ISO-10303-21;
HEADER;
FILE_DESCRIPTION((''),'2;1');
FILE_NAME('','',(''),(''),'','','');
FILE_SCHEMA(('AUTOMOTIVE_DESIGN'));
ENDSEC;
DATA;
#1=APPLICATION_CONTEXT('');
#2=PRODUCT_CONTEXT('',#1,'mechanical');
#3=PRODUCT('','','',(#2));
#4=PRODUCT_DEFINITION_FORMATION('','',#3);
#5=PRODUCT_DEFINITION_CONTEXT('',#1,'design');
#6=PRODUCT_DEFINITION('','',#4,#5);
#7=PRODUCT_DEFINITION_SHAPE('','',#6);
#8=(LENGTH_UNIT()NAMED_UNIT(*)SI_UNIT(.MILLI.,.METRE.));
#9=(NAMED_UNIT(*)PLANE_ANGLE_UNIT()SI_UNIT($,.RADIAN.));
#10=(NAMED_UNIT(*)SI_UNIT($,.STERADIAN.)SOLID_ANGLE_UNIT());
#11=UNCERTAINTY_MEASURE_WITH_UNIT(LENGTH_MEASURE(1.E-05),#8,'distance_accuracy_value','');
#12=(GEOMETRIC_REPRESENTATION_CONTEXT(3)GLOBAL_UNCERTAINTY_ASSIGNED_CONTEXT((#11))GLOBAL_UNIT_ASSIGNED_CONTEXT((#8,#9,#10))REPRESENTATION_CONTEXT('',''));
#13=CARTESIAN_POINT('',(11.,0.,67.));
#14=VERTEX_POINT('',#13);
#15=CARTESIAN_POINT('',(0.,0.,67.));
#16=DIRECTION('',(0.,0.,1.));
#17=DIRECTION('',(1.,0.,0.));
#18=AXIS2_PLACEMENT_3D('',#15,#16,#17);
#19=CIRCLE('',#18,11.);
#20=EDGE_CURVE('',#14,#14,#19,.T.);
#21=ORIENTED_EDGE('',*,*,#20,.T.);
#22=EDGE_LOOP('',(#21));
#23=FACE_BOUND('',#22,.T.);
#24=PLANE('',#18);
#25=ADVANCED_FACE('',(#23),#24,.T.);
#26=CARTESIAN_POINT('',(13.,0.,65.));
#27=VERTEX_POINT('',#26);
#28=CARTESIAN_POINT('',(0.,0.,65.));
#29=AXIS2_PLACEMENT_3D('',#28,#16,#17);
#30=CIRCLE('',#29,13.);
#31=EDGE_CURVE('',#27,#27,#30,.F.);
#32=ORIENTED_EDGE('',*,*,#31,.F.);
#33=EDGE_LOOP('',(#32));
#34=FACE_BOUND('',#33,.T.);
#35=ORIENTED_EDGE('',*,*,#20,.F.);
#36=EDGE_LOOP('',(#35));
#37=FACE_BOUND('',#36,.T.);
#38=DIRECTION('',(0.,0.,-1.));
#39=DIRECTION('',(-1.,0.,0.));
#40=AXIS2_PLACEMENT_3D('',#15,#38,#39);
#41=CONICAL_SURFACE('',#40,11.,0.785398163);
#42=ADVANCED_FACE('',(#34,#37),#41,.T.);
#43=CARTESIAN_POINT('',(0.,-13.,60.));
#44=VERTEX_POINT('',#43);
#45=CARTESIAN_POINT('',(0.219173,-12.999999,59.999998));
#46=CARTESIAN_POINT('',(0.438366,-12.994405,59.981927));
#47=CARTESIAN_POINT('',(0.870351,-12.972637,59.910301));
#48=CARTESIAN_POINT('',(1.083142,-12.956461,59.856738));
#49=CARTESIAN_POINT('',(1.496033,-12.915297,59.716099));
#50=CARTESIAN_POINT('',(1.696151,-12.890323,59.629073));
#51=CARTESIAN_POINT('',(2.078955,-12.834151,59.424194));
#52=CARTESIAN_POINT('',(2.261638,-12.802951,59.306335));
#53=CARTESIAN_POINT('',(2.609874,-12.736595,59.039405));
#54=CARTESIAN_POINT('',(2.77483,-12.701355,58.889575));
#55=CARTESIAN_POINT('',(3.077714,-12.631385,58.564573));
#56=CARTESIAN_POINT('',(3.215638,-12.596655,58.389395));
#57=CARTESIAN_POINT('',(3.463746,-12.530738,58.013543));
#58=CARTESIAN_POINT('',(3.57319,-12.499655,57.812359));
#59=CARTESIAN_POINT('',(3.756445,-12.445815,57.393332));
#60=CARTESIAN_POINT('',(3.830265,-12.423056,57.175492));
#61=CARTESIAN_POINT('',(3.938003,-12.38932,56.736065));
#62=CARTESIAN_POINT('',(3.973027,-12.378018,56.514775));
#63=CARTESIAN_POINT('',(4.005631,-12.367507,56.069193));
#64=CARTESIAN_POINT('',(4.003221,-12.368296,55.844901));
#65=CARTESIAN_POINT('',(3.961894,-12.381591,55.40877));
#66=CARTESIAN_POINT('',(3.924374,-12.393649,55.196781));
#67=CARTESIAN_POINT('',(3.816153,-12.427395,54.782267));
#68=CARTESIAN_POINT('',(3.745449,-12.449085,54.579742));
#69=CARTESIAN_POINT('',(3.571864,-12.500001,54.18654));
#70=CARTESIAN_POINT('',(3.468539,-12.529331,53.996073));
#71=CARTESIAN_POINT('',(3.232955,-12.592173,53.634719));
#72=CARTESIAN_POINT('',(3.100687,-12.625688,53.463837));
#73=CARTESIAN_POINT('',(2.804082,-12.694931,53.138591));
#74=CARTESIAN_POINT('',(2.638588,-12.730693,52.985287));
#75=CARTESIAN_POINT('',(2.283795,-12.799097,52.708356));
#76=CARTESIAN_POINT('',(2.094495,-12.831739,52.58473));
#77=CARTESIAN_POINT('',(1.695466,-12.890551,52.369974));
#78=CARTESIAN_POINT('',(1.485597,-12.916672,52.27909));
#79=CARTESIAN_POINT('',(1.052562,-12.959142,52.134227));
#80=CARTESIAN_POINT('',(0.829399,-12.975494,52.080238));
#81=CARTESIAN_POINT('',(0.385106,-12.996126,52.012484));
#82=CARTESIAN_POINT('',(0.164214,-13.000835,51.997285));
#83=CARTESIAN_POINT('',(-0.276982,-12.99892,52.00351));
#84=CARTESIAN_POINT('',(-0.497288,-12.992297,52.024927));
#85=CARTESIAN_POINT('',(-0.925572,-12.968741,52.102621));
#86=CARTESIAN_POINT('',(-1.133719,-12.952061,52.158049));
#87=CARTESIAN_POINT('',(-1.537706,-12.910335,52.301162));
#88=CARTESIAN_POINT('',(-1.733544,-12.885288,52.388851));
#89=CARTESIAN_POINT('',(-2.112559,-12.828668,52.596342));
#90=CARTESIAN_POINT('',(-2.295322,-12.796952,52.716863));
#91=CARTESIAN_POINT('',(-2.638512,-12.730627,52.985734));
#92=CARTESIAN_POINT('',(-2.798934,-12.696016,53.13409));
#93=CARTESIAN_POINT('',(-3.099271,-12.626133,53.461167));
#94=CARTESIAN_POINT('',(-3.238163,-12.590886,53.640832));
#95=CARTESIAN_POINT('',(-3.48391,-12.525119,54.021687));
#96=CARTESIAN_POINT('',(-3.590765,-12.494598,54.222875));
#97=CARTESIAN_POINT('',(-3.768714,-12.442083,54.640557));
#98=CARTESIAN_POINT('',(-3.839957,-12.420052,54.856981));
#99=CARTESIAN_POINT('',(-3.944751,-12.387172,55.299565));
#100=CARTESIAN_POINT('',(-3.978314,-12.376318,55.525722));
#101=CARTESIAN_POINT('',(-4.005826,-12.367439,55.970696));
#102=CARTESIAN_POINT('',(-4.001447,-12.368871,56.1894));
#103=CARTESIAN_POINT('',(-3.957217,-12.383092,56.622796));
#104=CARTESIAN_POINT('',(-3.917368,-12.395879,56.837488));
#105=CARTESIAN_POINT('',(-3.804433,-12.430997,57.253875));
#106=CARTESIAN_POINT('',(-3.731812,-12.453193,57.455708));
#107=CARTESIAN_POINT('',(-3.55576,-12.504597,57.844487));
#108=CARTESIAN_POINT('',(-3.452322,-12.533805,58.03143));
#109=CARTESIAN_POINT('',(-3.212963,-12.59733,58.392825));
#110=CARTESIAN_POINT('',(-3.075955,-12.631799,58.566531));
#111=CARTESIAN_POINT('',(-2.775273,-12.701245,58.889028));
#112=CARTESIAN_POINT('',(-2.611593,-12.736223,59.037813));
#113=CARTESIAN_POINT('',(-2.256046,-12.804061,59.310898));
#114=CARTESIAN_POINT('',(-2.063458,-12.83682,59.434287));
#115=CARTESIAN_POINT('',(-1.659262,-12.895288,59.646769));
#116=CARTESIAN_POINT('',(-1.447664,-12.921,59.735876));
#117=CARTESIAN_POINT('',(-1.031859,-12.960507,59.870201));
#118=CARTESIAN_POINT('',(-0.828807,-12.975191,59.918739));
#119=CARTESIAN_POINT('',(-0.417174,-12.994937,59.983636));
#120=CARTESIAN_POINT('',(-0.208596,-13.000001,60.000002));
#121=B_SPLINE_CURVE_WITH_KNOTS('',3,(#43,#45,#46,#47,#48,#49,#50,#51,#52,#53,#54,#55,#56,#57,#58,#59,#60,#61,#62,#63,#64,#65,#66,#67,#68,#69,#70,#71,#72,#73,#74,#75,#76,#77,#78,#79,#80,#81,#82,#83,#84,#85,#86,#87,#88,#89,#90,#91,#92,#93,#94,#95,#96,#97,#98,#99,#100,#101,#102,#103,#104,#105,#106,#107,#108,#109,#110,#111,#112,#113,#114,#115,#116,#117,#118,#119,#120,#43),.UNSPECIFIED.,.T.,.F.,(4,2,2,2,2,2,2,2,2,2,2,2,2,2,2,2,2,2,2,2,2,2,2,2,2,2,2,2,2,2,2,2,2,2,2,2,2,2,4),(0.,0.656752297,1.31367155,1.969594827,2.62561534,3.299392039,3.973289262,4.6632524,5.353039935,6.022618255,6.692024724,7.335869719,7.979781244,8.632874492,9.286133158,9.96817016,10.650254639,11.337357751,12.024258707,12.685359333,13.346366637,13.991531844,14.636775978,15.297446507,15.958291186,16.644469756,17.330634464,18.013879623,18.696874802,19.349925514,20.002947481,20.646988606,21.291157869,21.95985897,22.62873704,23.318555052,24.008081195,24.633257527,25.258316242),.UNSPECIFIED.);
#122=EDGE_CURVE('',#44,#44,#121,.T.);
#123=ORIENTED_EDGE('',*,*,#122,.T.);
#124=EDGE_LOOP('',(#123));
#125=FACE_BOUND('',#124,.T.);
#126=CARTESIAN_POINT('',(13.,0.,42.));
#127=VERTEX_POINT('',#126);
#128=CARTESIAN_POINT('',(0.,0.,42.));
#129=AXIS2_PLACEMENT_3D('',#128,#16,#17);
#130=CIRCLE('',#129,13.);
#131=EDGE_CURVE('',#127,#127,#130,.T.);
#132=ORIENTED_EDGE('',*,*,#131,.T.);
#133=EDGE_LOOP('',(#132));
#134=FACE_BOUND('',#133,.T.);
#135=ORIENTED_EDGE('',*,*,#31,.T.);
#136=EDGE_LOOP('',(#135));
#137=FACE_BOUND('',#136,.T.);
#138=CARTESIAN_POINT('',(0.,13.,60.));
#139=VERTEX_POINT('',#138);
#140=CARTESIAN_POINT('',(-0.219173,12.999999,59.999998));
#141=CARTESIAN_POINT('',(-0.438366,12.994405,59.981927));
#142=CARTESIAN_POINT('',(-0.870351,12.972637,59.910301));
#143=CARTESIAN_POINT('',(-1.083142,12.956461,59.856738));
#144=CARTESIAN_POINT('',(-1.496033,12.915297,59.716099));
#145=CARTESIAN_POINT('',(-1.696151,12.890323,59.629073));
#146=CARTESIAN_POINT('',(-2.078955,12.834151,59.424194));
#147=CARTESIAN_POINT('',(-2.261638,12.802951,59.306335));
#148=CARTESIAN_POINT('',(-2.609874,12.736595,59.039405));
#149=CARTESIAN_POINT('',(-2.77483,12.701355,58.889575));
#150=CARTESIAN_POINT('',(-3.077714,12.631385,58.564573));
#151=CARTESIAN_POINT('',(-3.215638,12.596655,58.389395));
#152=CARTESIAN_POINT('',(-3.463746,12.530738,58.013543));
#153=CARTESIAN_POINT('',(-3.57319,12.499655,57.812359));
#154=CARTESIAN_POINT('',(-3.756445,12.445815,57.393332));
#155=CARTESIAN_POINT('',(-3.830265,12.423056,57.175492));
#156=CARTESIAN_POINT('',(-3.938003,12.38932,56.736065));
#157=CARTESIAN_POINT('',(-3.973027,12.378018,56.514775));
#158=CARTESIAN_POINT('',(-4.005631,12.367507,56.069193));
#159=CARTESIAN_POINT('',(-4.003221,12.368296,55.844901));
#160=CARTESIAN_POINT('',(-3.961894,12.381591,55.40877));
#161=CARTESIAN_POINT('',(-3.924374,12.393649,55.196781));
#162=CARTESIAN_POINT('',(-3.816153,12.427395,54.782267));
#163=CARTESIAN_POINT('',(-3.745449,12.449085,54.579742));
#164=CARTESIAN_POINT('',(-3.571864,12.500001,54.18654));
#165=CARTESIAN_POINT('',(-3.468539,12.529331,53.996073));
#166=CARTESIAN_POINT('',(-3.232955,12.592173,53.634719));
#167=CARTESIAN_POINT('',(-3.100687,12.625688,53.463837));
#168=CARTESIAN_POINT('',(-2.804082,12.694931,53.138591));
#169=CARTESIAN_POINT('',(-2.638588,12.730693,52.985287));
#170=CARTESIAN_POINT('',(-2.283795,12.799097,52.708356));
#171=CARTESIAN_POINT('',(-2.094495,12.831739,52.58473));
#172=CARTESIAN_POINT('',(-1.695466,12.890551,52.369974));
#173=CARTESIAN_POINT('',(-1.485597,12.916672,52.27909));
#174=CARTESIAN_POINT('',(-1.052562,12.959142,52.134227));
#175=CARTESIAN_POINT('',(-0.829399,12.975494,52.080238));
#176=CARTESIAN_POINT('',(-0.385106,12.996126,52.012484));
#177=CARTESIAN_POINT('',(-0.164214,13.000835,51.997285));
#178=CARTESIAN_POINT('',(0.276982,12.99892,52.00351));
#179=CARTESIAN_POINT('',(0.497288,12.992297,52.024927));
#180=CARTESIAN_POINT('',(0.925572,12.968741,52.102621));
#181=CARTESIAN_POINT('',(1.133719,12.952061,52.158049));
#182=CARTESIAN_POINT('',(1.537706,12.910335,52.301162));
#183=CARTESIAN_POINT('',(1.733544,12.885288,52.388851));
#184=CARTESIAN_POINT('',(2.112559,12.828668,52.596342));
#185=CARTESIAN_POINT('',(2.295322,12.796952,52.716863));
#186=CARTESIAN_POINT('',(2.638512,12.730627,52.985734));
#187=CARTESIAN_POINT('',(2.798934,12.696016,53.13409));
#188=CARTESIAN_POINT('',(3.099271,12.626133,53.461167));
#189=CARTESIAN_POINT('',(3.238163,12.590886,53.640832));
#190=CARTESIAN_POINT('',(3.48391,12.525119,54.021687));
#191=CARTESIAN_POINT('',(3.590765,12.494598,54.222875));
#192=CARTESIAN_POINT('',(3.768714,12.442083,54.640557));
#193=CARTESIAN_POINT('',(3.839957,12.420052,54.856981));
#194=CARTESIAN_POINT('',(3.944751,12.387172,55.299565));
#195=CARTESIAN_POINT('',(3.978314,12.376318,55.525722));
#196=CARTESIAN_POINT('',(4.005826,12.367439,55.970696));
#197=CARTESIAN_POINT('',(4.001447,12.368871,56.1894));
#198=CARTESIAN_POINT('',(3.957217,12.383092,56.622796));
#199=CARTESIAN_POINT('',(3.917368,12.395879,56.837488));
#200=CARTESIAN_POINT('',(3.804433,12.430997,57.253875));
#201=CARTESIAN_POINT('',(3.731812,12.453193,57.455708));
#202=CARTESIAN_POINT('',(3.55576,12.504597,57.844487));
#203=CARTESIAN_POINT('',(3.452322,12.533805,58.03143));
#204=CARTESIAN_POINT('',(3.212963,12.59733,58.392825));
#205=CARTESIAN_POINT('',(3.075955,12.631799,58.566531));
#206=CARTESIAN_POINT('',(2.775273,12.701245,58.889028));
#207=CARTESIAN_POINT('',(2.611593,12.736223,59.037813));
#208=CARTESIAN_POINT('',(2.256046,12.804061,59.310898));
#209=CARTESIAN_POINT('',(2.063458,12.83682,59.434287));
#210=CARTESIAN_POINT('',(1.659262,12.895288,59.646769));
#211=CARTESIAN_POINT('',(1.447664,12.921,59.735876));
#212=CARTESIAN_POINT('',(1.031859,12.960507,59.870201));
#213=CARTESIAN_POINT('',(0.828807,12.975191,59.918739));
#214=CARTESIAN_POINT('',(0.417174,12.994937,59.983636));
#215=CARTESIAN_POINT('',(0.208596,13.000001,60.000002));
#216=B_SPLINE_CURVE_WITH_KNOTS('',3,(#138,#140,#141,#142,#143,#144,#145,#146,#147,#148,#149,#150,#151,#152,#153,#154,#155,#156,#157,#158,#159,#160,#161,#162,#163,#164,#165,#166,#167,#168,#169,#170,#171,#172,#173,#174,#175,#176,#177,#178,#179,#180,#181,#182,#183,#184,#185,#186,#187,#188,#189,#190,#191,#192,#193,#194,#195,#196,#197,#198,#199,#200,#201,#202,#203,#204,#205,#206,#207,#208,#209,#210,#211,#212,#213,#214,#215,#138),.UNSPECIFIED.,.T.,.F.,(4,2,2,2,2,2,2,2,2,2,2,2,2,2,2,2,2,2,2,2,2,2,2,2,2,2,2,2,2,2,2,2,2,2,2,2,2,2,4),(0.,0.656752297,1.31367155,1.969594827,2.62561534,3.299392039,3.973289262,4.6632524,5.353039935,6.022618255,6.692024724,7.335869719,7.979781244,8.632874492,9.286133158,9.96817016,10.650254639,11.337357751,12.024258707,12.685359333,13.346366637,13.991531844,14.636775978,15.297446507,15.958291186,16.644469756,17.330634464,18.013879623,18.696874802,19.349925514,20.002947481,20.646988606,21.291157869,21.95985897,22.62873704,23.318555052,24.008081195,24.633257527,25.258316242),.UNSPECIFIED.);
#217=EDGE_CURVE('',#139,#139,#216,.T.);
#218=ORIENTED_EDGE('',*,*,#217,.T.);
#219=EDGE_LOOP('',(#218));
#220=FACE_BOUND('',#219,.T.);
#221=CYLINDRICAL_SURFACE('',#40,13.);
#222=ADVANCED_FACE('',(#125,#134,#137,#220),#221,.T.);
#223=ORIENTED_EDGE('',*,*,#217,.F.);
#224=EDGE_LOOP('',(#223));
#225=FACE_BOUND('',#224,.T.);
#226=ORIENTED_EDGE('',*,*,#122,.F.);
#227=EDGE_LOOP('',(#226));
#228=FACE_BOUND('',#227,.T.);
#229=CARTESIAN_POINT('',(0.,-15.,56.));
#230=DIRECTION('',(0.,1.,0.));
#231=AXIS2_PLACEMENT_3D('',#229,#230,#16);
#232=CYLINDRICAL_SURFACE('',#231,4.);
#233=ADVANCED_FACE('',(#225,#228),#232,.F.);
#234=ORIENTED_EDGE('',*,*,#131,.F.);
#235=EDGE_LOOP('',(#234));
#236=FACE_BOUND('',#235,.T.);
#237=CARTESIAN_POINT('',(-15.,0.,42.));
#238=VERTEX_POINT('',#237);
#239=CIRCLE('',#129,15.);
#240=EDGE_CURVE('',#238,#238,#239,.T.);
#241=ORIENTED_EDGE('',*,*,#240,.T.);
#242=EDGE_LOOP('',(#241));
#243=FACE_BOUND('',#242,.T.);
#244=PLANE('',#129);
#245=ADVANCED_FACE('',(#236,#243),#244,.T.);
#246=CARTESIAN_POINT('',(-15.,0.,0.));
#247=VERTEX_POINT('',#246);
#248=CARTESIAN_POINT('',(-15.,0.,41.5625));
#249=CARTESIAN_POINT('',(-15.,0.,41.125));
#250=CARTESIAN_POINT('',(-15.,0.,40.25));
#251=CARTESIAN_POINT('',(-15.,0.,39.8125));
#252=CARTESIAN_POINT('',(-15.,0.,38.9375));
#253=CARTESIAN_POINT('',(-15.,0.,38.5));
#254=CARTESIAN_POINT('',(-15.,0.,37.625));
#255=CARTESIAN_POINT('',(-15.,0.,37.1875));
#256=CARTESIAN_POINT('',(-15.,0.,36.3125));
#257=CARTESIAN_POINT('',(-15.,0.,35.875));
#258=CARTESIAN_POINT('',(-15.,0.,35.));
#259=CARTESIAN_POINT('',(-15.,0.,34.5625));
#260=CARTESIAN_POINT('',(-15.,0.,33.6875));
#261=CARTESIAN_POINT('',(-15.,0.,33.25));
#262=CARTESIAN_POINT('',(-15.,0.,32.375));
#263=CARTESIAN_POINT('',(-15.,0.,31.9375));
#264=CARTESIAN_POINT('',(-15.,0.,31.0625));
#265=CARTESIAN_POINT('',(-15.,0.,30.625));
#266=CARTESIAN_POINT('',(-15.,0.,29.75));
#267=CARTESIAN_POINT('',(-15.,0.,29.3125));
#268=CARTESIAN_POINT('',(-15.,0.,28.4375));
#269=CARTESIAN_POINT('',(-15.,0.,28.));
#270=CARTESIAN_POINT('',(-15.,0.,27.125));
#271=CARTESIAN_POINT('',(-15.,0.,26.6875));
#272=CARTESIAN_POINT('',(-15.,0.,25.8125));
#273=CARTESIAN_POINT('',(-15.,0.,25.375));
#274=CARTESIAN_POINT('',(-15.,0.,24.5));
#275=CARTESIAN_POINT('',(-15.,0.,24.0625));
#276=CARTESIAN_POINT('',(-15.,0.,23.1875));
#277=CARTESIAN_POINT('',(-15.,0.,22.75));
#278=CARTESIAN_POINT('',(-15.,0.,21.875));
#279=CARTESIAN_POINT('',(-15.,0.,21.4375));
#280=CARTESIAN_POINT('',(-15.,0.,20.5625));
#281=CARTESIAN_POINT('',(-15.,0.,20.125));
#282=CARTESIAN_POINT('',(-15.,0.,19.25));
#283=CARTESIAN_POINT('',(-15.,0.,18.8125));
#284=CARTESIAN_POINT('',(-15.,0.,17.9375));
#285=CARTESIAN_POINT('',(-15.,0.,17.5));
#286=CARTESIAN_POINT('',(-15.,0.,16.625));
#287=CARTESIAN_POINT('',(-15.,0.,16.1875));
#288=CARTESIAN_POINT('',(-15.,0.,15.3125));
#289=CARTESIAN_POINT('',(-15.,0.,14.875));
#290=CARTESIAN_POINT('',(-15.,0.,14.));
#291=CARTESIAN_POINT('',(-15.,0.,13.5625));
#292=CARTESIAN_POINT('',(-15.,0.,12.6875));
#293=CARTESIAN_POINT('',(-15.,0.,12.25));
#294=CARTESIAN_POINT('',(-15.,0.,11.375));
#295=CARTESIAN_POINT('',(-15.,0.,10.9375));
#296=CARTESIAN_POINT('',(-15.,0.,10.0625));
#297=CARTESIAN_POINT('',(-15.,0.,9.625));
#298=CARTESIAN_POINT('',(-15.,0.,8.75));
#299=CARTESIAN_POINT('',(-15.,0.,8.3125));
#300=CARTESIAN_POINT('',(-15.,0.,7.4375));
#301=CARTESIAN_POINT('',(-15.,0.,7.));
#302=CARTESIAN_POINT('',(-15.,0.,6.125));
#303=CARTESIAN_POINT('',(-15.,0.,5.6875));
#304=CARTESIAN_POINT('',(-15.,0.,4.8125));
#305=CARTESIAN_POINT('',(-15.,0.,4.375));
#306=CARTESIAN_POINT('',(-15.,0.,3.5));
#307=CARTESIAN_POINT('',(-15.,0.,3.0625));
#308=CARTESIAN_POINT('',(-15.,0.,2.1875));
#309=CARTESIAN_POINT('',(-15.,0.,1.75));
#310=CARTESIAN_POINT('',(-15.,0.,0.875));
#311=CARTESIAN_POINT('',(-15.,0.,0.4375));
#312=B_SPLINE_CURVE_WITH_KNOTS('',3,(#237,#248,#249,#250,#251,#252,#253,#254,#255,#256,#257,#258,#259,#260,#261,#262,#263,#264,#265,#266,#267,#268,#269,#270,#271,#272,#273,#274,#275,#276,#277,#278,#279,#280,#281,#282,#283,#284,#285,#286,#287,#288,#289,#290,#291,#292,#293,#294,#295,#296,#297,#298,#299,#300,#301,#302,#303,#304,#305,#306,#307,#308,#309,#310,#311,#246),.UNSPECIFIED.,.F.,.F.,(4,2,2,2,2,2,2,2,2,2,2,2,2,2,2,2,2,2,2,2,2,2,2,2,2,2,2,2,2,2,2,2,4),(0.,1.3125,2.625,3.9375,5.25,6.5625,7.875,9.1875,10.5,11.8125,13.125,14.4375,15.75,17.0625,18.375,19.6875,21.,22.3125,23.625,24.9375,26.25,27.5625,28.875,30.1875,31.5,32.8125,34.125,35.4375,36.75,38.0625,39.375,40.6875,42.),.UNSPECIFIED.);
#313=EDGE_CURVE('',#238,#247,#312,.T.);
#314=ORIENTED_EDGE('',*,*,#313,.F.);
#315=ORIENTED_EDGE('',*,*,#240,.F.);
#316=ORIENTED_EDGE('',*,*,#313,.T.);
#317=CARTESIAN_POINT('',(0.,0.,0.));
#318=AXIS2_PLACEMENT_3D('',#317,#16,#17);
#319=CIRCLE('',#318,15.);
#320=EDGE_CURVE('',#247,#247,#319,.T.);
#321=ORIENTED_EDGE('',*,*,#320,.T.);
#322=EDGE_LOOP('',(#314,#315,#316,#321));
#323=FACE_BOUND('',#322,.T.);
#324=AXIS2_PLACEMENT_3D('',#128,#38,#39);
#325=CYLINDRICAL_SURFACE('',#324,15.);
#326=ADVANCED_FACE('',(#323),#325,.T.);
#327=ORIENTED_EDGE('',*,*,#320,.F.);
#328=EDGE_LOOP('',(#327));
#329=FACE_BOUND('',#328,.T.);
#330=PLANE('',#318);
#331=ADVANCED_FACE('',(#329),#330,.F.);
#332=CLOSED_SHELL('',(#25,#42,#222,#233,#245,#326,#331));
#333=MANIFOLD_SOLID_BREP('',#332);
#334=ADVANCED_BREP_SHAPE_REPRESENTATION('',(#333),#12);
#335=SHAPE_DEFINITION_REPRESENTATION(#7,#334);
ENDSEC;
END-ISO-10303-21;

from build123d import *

# Parameters (mm, degrees)
SCHIZZO1_R             = 15
ESTRUSIONE1_DEPTH      = 42
SCHIZZO2_R             = 13
ESTRUSIONE2_DEPTH      = 25
SMUSSO1_SIZE           = 2
ESTRUSIONE3_DEPTH      = 71.278019323
ESTRUSIONE3_DEPTH_BACK = 71.278019323
SCHIZZO3_R             = 4


with BuildPart() as part:
    # Schizzo1 → Estrusione1 (new body)
    with BuildSketch(Plane.XY):
        with Locations(Location((0, 0, 0), (0, 0, 180))):
            Circle(SCHIZZO1_R)
    extrude(amount=ESTRUSIONE1_DEPTH)

    # Schizzo2 → Estrusione2 (add)
    with BuildSketch(Plane.XY.offset(42)):
        Circle(SCHIZZO2_R)
    extrude(amount=ESTRUSIONE2_DEPTH)

    # Smusso1
    smusso1_edges = [part.edges().sort_by_distance(p)[0] for p in [
        (-13, 0, 67),
    ]]
    chamfer(smusso1_edges, length=SMUSSO1_SIZE)

    # Schizzo3 → Estrusione3 (cut, two sides: drawn at the far end of the back side and taken through both)
    with BuildSketch(Plane(origin=(0, 0, 0), x_dir=(1, 0, 0), z_dir=(0, 1, 0)).offset(-ESTRUSIONE3_DEPTH_BACK)):
        with Locations(Location((0, -56, 0), (0, 0, 270))):
            Circle(SCHIZZO3_R)
    extrude(amount=ESTRUSIONE3_DEPTH + ESTRUSIONE3_DEPTH_BACK, mode=Mode.SUBTRACT)


solid = part.part
